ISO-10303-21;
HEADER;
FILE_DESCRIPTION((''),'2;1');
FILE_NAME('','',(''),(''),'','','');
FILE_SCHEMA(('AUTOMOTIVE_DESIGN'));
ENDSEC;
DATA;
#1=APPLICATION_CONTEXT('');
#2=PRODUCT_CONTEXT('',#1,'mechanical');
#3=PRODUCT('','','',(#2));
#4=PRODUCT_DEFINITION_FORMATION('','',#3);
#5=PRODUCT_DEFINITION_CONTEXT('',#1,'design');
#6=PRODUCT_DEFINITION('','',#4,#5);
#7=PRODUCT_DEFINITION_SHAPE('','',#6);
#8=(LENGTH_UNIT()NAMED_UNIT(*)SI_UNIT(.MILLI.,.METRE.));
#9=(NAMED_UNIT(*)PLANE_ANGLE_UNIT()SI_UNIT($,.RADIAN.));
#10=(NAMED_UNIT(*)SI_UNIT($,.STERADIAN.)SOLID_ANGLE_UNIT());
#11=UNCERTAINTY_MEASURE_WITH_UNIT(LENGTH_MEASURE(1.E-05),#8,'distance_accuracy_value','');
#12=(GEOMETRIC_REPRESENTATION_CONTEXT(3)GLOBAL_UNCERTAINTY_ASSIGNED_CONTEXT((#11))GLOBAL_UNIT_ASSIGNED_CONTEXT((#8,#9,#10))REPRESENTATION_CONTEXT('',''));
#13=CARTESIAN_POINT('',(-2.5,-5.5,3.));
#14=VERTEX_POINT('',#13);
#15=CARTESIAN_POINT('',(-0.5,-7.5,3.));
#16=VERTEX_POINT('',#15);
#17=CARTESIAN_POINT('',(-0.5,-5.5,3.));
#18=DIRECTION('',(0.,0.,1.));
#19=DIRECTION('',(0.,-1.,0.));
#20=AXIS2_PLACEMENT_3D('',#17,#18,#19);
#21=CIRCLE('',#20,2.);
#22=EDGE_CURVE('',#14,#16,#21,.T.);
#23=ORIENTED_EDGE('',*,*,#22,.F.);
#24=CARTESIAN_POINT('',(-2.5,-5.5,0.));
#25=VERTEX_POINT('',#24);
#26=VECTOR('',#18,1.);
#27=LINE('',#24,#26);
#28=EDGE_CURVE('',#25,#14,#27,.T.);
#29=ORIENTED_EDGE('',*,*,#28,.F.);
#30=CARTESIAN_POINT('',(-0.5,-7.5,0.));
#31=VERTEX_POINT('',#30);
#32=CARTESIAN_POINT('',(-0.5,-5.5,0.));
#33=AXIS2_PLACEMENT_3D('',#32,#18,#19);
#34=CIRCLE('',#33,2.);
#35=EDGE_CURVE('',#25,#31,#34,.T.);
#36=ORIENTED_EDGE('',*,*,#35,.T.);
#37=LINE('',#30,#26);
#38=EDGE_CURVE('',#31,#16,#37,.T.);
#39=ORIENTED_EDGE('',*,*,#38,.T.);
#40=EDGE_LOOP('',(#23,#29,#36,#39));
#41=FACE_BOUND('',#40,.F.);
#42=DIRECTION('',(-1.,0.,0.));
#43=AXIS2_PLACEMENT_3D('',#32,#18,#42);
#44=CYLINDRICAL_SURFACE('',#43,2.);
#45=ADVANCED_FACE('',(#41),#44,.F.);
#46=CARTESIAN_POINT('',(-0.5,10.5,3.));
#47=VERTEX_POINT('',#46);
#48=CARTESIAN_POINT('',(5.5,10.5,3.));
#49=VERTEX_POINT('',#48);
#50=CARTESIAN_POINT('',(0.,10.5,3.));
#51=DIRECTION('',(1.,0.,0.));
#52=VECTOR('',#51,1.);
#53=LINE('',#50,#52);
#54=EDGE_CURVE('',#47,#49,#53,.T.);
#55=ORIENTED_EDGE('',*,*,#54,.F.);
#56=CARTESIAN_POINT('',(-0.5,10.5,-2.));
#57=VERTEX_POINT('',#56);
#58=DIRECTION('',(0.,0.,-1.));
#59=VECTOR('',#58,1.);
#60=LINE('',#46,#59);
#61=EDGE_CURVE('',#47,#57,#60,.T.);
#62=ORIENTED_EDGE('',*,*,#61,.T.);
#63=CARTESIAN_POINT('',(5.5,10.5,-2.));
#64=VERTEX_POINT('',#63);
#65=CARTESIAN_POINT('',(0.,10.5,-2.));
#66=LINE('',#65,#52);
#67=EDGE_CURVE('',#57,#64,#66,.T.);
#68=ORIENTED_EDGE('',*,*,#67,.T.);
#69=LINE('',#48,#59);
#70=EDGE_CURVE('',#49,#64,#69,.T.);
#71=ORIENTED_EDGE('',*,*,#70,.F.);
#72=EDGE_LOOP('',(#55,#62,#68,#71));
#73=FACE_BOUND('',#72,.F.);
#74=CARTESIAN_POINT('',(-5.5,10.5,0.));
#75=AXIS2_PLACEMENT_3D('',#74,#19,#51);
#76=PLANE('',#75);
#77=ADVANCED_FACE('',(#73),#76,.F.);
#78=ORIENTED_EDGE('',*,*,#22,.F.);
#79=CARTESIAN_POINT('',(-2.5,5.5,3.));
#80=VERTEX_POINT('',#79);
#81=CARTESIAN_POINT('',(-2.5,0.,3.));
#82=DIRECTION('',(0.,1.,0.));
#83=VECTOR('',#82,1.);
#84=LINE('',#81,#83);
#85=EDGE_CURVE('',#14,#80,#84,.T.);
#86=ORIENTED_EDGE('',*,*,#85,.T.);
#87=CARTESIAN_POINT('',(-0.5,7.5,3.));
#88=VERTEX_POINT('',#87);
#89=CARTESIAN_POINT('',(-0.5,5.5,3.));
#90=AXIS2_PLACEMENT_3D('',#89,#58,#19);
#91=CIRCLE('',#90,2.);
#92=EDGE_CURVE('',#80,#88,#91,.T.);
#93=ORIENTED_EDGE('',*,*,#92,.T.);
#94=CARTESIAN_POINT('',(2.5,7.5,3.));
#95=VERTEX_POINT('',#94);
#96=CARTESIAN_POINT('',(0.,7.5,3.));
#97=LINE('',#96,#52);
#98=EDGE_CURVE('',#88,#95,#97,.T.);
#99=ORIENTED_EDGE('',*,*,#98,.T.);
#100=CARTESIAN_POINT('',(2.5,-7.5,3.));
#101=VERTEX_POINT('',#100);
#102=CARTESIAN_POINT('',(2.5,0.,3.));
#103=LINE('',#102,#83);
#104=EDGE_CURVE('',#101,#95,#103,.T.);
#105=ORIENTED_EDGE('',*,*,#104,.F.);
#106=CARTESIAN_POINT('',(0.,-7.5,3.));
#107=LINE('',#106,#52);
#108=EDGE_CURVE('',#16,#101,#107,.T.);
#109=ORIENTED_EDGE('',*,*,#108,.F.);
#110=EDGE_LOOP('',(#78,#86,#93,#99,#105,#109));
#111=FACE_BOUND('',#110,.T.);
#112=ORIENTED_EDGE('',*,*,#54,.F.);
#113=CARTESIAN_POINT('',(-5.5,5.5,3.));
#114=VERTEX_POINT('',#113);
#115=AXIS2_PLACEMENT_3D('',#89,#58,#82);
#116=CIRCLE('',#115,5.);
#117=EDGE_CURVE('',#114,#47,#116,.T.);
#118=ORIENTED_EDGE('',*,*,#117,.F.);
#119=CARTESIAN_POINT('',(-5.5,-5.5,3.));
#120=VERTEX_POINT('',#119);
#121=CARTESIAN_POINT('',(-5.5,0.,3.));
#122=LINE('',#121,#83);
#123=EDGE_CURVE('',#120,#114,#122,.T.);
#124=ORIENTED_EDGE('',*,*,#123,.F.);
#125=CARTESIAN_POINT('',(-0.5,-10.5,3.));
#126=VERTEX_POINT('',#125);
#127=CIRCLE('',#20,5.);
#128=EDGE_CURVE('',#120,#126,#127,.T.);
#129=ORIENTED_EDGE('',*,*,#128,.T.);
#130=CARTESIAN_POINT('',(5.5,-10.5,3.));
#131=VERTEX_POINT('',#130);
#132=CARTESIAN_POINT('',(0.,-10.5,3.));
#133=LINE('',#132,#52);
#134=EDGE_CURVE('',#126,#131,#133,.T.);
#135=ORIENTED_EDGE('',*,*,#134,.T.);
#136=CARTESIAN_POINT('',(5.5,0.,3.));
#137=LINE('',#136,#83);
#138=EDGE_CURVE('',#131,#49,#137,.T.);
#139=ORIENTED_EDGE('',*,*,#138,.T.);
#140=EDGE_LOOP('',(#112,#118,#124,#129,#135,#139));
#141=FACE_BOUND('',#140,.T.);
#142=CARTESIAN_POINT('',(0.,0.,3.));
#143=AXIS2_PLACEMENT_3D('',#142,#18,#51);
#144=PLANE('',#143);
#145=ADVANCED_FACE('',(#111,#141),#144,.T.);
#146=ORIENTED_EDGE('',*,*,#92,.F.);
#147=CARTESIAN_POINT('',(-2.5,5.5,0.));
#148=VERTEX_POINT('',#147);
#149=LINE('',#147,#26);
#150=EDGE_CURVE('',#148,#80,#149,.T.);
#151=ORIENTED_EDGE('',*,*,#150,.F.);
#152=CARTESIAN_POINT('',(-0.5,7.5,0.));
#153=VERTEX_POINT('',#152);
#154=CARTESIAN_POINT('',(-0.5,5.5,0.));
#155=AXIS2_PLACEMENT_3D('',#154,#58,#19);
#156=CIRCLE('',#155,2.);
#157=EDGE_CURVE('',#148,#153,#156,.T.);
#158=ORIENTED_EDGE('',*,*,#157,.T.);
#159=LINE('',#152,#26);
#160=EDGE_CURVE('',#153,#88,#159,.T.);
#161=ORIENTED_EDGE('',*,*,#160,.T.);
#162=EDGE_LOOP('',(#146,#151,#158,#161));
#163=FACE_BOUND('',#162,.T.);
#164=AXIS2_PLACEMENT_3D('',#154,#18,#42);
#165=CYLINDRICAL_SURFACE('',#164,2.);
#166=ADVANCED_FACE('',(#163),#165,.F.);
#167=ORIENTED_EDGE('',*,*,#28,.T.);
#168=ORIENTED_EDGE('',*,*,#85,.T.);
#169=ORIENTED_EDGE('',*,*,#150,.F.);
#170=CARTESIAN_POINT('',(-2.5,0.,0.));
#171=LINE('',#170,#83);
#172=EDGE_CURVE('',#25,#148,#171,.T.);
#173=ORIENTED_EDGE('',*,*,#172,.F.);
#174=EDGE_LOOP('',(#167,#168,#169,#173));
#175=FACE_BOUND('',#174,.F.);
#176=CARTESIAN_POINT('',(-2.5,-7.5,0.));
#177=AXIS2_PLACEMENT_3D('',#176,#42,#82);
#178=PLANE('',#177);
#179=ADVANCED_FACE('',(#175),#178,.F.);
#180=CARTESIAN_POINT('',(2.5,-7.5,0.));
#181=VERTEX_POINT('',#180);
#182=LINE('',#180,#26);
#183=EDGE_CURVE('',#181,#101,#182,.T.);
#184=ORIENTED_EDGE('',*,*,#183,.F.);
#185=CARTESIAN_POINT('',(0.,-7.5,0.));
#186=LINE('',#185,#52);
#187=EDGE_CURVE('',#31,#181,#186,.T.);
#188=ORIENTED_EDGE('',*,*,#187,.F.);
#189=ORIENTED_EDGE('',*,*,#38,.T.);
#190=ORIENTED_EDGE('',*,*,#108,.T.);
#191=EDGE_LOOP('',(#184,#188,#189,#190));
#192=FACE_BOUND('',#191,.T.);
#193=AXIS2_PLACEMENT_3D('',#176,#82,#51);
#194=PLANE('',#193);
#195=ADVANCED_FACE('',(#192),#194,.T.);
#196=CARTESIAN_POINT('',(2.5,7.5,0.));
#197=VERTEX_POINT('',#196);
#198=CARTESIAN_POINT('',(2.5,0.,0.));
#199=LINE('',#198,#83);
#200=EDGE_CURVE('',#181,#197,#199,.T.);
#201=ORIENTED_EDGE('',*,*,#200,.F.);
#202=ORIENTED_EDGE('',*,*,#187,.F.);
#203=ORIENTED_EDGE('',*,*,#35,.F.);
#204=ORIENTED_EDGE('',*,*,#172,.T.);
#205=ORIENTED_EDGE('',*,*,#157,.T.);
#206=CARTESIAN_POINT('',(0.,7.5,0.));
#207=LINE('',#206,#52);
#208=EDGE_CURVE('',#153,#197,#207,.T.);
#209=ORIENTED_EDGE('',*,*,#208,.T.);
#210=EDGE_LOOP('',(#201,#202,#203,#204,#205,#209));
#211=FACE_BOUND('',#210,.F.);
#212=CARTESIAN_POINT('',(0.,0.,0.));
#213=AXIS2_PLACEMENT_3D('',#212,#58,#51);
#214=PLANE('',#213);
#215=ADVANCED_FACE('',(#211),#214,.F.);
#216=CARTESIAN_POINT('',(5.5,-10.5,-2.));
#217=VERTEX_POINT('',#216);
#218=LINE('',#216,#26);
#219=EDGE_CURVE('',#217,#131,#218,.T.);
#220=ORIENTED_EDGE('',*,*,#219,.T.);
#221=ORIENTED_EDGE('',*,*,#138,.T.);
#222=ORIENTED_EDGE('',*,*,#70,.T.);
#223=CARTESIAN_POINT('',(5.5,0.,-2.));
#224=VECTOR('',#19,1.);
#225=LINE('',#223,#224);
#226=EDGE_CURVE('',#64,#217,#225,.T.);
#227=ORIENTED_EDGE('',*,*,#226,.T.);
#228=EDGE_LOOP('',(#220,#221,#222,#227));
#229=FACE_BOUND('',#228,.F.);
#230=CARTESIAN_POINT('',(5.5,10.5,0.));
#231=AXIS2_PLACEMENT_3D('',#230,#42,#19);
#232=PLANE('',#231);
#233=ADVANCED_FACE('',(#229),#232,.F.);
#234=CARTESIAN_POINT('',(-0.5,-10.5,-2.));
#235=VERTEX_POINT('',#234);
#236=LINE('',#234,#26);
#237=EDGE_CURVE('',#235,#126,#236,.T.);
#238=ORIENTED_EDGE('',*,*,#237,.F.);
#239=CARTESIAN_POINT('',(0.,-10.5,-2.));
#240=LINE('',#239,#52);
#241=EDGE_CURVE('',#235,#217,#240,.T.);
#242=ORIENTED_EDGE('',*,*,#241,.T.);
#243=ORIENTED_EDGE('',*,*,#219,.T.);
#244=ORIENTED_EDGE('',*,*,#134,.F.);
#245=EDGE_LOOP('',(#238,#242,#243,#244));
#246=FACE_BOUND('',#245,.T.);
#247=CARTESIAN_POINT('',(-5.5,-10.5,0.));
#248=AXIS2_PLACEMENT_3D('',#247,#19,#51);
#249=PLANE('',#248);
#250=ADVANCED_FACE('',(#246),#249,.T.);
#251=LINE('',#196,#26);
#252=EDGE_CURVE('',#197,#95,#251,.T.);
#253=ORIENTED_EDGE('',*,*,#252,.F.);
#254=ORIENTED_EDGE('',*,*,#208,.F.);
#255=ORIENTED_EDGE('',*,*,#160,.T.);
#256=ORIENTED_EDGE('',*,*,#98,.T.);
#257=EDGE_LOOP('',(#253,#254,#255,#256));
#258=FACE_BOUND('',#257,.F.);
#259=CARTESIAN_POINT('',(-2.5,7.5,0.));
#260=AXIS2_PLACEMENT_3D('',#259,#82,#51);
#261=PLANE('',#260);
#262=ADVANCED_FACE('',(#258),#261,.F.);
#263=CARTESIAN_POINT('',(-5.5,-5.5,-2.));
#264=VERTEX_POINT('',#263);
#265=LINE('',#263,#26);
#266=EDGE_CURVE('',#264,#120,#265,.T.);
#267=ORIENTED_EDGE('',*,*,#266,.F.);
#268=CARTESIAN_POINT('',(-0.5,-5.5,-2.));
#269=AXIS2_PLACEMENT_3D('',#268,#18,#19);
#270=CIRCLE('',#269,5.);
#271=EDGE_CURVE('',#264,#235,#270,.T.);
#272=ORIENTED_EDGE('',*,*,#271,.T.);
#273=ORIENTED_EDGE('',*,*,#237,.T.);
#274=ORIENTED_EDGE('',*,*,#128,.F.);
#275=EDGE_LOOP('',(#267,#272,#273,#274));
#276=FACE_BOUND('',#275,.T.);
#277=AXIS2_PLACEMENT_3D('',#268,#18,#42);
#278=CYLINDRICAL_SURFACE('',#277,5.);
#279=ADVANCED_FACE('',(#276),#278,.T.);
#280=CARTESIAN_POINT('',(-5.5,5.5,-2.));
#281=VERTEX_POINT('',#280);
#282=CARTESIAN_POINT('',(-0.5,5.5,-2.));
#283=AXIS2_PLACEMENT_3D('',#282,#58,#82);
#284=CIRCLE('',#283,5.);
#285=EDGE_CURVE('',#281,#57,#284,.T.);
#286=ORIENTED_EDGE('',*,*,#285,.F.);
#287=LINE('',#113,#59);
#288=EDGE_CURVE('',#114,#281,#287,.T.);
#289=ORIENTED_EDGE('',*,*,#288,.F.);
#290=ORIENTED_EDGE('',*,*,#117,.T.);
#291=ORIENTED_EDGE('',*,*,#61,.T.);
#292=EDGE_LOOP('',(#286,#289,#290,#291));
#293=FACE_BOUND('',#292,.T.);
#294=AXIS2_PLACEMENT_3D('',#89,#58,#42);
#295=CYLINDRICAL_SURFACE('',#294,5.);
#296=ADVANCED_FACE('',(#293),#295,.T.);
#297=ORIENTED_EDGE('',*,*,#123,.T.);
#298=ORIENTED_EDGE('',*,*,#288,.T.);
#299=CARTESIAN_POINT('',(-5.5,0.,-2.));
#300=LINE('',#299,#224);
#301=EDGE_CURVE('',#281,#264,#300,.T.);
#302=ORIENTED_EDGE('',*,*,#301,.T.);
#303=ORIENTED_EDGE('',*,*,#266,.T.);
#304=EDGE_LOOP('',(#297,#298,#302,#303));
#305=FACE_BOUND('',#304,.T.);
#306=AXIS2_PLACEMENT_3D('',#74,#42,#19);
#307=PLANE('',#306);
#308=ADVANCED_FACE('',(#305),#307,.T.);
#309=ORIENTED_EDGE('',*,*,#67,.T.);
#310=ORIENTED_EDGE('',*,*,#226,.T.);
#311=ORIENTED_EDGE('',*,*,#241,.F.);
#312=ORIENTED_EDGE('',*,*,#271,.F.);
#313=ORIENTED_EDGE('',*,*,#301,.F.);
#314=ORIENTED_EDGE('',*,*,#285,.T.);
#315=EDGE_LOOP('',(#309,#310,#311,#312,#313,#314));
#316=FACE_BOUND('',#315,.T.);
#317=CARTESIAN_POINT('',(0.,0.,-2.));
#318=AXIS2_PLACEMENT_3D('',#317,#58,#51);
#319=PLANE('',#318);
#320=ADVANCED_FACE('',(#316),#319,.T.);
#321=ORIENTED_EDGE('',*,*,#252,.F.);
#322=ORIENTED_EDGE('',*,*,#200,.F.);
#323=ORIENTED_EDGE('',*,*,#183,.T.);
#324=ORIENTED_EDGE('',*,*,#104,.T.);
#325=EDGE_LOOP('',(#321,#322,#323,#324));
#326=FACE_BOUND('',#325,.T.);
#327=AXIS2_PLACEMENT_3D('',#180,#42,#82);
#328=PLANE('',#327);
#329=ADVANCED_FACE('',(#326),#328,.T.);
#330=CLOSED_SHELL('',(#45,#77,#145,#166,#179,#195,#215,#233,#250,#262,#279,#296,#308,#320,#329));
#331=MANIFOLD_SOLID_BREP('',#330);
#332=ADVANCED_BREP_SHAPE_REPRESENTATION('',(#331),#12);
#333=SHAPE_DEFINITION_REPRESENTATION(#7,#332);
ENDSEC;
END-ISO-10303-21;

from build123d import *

# Parameters (mm, degrees)
F0_W     = 11
F0_H     = 21
F0_W_2   = 5
F0_H_2   = 15
F1_DEPTH = 3
F2_W     = 11
F2_H     = 21
F3_DEPTH = 2
F4_R     = 2
F5_R     = 5


with BuildPart() as f1:
    # F0 (on Top) → F1 (new body)
    with BuildSketch(Plane.XY):
        Rectangle(F0_W, F0_H)
        Rectangle(F0_W_2, F0_H_2, mode=Mode.SUBTRACT)
    extrude(amount=F1_DEPTH)

    # F2 (on face) → F3 (join)
    with BuildSketch(Plane(origin=(0, 0, 0), x_dir=(1, 0, 0), z_dir=(0, 0, -1))):
        Rectangle(F2_W, F2_H)
    extrude(amount=F3_DEPTH)

    # F4
    f4_edges = [f1.edges().sort_by_distance(p)[0] for p in [
        (-2.5, -7.5, 1.5),
        (-2.5, 7.5, 1.5),
    ]]
    fillet(f4_edges, radius=F4_R)

    # F5
    f5_edges = [f1.edges().sort_by_distance(p)[0] for p in [
        (-5.5, -10.5, 0.5),
        (-5.5, 10.5, 0.5),
    ]]
    fillet(f5_edges, radius=F5_R)


solid = f1.part
